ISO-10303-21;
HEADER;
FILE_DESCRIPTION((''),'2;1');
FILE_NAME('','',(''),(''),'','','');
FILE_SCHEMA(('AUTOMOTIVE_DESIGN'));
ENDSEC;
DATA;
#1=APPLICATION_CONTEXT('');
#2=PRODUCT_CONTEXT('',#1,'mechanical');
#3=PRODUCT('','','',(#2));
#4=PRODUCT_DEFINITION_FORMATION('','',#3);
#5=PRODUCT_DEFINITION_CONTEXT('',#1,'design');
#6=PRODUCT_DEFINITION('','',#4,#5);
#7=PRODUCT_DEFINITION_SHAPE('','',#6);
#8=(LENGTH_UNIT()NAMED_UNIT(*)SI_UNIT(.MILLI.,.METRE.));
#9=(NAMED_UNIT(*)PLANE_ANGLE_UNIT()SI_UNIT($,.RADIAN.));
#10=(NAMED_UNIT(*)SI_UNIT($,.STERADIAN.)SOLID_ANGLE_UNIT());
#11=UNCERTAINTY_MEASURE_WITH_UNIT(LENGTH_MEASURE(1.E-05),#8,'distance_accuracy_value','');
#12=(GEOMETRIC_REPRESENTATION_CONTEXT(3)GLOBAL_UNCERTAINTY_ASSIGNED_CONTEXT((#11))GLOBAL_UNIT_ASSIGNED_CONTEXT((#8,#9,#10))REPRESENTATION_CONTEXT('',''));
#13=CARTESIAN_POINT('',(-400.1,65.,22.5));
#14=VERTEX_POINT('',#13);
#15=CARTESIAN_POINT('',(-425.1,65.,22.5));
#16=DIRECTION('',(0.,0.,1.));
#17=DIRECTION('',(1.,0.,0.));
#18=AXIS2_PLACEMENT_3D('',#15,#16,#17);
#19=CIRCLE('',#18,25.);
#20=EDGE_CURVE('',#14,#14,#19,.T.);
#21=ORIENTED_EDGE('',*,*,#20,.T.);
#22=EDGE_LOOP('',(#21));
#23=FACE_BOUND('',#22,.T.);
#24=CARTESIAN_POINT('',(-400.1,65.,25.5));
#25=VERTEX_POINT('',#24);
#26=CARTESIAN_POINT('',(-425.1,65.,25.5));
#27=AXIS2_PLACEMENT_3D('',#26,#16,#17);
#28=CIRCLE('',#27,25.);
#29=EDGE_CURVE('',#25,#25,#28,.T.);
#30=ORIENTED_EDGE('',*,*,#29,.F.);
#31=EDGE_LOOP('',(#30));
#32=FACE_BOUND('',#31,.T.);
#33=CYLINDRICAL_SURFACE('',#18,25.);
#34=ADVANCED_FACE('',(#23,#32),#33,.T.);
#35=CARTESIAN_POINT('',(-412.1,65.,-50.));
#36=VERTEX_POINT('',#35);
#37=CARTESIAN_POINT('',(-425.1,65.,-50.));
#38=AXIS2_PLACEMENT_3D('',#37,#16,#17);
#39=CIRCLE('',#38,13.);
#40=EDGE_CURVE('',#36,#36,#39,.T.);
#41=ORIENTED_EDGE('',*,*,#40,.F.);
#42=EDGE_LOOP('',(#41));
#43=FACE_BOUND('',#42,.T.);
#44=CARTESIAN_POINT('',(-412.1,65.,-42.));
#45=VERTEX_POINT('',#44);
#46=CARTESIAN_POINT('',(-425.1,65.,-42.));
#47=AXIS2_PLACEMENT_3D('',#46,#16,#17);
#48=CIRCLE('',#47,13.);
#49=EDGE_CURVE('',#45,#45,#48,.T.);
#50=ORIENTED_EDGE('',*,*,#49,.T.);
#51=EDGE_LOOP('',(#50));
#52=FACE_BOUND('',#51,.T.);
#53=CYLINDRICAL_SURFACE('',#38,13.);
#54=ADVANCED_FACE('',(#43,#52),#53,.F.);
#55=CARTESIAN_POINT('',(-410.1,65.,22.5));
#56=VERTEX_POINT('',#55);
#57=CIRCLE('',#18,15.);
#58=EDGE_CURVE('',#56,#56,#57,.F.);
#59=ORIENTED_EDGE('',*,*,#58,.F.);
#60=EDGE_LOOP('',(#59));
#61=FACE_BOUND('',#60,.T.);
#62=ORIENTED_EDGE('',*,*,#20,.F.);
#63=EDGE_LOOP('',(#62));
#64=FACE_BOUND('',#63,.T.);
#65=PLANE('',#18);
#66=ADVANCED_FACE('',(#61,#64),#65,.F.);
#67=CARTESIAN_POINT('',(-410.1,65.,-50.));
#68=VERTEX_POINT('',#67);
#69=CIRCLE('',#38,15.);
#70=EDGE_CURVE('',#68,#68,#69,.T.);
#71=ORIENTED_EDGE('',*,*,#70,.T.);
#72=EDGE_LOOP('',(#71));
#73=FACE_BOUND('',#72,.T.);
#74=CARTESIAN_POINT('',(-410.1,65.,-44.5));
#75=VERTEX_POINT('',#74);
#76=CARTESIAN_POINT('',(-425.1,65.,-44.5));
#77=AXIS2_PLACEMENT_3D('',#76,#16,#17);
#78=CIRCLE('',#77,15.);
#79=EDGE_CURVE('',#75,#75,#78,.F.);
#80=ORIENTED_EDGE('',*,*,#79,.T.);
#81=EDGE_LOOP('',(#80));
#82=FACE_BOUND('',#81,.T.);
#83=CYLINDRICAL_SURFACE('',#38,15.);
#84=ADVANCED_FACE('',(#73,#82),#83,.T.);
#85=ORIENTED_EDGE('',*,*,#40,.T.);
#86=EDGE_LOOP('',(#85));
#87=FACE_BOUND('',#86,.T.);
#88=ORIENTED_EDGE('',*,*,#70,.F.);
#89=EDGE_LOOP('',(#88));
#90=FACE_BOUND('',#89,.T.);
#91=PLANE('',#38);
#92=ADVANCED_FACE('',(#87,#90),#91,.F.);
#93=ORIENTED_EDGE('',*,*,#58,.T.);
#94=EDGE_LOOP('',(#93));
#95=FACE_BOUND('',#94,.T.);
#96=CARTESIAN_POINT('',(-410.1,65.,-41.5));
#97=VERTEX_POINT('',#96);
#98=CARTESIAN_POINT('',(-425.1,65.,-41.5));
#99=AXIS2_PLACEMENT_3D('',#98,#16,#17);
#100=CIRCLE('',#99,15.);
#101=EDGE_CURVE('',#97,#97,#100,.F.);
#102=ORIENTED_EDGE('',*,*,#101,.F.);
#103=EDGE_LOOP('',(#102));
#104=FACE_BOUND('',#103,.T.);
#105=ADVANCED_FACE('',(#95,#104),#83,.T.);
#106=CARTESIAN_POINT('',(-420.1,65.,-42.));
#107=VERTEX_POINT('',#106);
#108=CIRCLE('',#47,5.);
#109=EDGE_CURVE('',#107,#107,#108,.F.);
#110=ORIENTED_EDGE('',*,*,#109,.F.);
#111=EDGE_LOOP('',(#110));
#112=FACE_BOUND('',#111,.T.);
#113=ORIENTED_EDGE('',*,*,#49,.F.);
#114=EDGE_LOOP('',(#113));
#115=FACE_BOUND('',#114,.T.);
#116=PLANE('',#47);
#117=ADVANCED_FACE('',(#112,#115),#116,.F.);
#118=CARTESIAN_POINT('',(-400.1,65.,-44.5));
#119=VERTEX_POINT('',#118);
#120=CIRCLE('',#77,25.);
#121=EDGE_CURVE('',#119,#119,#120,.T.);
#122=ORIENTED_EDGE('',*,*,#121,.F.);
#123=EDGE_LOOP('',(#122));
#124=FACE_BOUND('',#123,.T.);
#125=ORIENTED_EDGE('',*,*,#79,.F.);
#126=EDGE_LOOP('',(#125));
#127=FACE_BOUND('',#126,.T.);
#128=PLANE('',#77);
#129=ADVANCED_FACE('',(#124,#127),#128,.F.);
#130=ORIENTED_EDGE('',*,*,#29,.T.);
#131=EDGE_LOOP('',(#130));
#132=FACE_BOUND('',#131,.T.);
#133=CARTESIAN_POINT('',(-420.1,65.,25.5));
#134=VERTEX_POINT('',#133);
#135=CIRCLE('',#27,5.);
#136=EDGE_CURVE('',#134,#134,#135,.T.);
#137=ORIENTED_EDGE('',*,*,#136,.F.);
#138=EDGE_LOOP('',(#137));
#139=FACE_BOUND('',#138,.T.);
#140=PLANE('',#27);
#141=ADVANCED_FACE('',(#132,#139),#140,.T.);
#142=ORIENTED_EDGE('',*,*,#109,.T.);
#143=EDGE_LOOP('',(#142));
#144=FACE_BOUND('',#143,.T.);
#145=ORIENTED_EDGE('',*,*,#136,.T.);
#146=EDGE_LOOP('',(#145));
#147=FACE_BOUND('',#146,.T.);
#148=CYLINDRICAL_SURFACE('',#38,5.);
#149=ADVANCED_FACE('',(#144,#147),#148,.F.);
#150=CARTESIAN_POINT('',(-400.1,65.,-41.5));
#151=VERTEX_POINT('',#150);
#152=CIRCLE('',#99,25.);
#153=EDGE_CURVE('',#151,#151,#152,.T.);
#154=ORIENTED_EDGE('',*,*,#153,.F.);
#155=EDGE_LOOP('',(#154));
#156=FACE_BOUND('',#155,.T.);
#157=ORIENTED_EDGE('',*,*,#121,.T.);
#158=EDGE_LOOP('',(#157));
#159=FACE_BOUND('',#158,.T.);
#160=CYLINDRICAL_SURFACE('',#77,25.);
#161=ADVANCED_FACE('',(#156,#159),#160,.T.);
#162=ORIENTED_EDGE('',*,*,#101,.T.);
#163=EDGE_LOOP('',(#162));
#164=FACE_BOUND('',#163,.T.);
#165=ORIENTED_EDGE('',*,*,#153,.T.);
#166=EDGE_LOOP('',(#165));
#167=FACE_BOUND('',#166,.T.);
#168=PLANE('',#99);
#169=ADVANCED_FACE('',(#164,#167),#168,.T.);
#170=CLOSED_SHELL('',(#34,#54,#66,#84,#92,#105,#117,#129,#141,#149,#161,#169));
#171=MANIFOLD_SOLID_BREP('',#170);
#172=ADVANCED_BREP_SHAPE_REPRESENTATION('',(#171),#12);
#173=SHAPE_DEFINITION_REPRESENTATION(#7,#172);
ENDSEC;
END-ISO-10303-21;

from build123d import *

# Parameters (mm, degrees)
CUERPO_PROFILE_R                     = 15
BRIDA_IZQ_PROFILE_R                  = 25
BRIDA_DCHA_PROFILE_R                 = 25
TALADRO_EJE_PROFILE_R                = 5
ALOJAMIENTO_RODAMIENTO_IZQ_PROFILE_R = 13


with BuildPart() as part:
    # Cuerpo: sweep along a curve in space
    with BuildLine() as cuerpo_path:
        Line((-425.1, 65, -50), (-425.1, 65, 25.5))
    # Cuerpo profile (on start of the path) → Cuerpo (sweep)
    with BuildSketch(Plane(origin=(-425.1, 65, -50), x_dir=(1, 0, 0), z_dir=(0, 0, 1))):
        Circle(CUERPO_PROFILE_R)
    sweep(path=cuerpo_path.line)

    # Brida_izq: sweep along a curve in space
    with BuildLine() as brida_izq_path:
        Line((-425.1, 65, -44.5), (-425.1, 65, -41.5))
    # Brida_izq profile (on start of the path) → Brida_izq (sweep)
    with BuildSketch(Plane(origin=(-425.1, 65, -44.5), x_dir=(1, 0, 0), z_dir=(0, 0, 1))):
        Circle(BRIDA_IZQ_PROFILE_R)
    sweep(path=brida_izq_path.line)

    # Brida_dcha: sweep along a curve in space
    with BuildLine() as brida_dcha_path:
        Line((-425.1, 65, 22.5), (-425.1, 65, 25.5))
    # Brida_dcha profile (on start of the path) → Brida_dcha (sweep)
    with BuildSketch(Plane(origin=(-425.1, 65, 22.5), x_dir=(1, 0, 0), z_dir=(0, 0, 1))):
        Circle(BRIDA_DCHA_PROFILE_R)
    sweep(path=brida_dcha_path.line)

    # Taladro_eje: sweep along a curve in space
    with BuildLine() as taladro_eje_path:
        Line((-425.1, 65, -50), (-425.1, 65, 25.5))
    # Taladro_eje profile (on start of the path) → Taladro_eje (sweep, cut)
    with BuildSketch(Plane(origin=(-425.1, 65, -50), x_dir=(1, 0, 0), z_dir=(0, 0, 1))):
        Circle(TALADRO_EJE_PROFILE_R)
    sweep(path=taladro_eje_path.line, mode=Mode.SUBTRACT)

    # Alojamiento_rodamiento_izq: sweep along a curve in space
    with BuildLine() as alojamiento_rodamiento_izq_path:
        Line((-425.1, 65, -50), (-425.1, 65, -42))
    # Alojamiento_rodamiento_izq profile (on start of the path) → Alojamiento_rodamiento_izq (sweep, cut)
    with BuildSketch(Plane(origin=(-425.1, 65, -50), x_dir=(1, 0, 0), z_dir=(0, 0, 1))):
        Circle(ALOJAMIENTO_RODAMIENTO_IZQ_PROFILE_R)
    sweep(path=alojamiento_rodamiento_izq_path.line, mode=Mode.SUBTRACT)


solid = part.part
